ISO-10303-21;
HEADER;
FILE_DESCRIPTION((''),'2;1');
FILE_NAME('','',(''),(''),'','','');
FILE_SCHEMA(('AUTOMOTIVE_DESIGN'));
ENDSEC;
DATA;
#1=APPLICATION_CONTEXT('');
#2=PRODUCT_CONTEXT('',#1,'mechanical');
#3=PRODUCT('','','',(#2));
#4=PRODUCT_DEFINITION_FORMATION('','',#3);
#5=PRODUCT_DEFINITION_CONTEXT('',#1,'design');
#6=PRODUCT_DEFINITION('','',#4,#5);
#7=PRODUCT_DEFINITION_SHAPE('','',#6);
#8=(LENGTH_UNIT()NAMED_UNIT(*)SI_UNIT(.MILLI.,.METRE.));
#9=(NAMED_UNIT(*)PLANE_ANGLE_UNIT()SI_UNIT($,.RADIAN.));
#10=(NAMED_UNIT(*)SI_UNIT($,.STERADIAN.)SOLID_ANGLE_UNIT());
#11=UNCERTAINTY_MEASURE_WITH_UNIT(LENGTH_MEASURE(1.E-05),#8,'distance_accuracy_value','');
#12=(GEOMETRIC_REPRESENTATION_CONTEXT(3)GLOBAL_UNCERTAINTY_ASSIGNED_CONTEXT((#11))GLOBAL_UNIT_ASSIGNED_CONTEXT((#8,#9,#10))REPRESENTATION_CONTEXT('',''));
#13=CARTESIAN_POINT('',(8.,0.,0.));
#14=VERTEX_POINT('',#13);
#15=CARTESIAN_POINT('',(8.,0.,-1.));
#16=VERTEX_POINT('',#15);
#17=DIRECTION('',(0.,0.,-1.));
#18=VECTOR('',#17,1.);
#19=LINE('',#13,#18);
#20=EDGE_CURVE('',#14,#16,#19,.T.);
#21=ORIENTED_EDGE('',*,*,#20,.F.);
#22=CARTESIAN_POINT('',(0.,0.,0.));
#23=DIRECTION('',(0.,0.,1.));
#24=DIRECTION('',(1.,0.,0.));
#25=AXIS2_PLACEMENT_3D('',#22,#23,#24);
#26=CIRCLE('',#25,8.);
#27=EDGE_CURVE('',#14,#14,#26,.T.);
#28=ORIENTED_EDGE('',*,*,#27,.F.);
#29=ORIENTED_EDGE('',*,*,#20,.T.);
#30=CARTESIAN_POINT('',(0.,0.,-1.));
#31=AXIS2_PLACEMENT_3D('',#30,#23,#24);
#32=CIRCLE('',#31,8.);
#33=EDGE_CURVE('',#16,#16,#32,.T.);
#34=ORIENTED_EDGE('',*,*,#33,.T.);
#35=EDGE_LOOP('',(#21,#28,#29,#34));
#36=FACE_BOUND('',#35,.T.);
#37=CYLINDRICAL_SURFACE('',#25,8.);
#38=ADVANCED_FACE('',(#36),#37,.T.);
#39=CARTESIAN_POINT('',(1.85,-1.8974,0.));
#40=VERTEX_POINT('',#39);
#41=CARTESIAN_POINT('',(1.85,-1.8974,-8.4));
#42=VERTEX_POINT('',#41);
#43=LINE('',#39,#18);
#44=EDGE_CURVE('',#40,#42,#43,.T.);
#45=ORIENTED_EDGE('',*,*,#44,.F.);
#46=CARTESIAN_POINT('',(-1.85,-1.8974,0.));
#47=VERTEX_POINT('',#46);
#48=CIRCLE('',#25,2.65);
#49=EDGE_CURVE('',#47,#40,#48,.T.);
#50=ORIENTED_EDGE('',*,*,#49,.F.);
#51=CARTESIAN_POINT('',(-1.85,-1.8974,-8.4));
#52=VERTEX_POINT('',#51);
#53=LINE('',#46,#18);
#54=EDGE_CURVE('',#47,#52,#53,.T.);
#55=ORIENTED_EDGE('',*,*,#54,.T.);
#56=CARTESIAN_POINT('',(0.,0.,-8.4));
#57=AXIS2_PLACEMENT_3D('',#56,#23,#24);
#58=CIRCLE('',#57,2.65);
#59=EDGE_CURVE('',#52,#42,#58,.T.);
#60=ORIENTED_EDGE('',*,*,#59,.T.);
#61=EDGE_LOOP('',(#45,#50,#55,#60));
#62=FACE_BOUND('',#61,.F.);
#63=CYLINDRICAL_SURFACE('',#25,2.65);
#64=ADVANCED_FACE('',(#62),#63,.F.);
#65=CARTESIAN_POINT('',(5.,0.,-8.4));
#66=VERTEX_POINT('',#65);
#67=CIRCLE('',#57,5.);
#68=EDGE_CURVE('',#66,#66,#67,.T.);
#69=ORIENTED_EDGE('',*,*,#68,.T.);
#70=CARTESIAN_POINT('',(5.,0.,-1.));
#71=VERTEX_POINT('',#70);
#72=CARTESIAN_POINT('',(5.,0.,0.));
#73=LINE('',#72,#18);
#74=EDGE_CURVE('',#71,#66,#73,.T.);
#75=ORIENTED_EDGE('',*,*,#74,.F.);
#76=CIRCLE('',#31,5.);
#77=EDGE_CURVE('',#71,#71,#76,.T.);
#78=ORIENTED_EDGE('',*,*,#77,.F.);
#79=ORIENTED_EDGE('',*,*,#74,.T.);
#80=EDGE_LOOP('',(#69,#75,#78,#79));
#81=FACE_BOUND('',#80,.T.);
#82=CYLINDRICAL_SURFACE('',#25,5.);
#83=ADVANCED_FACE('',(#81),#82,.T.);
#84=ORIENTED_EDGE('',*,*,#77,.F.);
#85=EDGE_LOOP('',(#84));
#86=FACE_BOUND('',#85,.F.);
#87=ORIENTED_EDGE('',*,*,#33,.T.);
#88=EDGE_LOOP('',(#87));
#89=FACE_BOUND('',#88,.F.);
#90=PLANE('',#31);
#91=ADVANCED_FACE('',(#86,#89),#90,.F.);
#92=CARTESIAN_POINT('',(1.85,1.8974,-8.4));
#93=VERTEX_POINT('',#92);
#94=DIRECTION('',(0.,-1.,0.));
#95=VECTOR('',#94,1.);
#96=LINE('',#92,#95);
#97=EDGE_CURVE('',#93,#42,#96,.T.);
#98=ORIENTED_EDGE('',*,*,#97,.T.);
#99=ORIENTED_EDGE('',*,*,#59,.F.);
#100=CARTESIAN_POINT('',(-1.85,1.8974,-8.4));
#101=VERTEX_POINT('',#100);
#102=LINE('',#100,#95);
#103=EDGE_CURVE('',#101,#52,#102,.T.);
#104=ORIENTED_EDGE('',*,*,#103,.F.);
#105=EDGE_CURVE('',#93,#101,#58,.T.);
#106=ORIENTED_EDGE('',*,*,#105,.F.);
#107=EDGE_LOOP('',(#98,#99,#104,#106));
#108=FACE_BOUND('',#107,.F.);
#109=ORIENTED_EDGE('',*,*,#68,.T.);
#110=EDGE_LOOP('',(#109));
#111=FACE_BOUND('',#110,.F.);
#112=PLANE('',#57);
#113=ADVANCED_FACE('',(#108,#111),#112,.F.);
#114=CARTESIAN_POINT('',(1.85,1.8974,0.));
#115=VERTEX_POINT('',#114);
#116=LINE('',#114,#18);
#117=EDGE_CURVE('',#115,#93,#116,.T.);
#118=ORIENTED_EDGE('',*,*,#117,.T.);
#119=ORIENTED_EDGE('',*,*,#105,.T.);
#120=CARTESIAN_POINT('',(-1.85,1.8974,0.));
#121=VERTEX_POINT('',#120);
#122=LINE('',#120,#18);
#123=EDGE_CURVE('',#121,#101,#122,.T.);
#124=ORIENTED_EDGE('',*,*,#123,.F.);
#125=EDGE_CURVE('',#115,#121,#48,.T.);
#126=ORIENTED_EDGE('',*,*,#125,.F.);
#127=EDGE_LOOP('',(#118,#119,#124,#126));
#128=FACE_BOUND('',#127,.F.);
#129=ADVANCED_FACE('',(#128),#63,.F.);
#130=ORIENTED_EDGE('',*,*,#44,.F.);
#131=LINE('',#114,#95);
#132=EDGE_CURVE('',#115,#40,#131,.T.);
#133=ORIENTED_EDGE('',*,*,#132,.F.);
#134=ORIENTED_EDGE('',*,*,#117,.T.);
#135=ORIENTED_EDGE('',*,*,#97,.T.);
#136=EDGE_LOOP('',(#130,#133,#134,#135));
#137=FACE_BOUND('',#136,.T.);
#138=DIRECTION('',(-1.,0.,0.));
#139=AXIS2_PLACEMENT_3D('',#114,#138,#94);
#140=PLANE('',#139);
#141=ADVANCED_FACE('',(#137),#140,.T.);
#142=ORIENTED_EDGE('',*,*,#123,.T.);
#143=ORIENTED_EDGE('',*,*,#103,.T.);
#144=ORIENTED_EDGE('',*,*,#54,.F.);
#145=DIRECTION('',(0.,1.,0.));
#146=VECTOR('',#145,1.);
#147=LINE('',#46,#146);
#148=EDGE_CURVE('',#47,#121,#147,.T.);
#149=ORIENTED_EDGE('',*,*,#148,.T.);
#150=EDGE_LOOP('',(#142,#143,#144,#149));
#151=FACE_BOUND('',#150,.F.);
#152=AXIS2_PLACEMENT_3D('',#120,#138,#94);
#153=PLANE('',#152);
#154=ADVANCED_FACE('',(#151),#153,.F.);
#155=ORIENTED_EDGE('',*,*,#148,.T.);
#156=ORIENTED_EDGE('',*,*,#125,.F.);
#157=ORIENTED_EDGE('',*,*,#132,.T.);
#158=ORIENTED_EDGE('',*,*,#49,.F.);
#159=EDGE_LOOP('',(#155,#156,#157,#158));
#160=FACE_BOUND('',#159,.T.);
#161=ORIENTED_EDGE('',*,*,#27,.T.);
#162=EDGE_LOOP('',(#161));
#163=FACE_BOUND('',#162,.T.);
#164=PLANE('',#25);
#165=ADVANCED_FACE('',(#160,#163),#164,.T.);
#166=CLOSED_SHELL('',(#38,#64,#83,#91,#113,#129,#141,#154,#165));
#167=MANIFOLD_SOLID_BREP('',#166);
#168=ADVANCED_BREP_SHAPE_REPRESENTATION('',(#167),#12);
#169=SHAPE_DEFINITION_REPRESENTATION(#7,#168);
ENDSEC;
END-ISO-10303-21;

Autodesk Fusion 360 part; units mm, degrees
sketch "Sketch1" plane through (0, 0, 0) normal (0, 0, 1) x (1, 0, 0)
  circle A0 centre (0, 0) radius 2.65
  circle A1 centre (0, 0) radius 5
  line L0 (0, 0.6) -> (0, -0.4) construction
  line L1 (0, 0) -> (-2.65, 0)
  line L2 (-1.85, 1.8974) -> (-1.85, -1.8974)
  line L3 (1.85, 1.8974) -> (1.85, -1.8974)
  dimension "d2" = 10
  dimension "d10" = 1.85
  dimension "d11" = 5.3
extrude "Extrude1" add sketch "Sketch1" against normal blind 8.4 contours A0 L3 | A0 L1 L2 | A0 L1 L2 | A1
sketch "Sketch2" plane through (0, 0, 0) normal (0, 0, 1) x (1, 0, 0)
  circle A0 centre (0, 0) radius 8
  circle A1 centre (0, 0) radius 5
  dimension "d5" = 16
  dimension "d6" = 10
extrude "Extrude2" add sketch "Sketch2" against normal blind 1
